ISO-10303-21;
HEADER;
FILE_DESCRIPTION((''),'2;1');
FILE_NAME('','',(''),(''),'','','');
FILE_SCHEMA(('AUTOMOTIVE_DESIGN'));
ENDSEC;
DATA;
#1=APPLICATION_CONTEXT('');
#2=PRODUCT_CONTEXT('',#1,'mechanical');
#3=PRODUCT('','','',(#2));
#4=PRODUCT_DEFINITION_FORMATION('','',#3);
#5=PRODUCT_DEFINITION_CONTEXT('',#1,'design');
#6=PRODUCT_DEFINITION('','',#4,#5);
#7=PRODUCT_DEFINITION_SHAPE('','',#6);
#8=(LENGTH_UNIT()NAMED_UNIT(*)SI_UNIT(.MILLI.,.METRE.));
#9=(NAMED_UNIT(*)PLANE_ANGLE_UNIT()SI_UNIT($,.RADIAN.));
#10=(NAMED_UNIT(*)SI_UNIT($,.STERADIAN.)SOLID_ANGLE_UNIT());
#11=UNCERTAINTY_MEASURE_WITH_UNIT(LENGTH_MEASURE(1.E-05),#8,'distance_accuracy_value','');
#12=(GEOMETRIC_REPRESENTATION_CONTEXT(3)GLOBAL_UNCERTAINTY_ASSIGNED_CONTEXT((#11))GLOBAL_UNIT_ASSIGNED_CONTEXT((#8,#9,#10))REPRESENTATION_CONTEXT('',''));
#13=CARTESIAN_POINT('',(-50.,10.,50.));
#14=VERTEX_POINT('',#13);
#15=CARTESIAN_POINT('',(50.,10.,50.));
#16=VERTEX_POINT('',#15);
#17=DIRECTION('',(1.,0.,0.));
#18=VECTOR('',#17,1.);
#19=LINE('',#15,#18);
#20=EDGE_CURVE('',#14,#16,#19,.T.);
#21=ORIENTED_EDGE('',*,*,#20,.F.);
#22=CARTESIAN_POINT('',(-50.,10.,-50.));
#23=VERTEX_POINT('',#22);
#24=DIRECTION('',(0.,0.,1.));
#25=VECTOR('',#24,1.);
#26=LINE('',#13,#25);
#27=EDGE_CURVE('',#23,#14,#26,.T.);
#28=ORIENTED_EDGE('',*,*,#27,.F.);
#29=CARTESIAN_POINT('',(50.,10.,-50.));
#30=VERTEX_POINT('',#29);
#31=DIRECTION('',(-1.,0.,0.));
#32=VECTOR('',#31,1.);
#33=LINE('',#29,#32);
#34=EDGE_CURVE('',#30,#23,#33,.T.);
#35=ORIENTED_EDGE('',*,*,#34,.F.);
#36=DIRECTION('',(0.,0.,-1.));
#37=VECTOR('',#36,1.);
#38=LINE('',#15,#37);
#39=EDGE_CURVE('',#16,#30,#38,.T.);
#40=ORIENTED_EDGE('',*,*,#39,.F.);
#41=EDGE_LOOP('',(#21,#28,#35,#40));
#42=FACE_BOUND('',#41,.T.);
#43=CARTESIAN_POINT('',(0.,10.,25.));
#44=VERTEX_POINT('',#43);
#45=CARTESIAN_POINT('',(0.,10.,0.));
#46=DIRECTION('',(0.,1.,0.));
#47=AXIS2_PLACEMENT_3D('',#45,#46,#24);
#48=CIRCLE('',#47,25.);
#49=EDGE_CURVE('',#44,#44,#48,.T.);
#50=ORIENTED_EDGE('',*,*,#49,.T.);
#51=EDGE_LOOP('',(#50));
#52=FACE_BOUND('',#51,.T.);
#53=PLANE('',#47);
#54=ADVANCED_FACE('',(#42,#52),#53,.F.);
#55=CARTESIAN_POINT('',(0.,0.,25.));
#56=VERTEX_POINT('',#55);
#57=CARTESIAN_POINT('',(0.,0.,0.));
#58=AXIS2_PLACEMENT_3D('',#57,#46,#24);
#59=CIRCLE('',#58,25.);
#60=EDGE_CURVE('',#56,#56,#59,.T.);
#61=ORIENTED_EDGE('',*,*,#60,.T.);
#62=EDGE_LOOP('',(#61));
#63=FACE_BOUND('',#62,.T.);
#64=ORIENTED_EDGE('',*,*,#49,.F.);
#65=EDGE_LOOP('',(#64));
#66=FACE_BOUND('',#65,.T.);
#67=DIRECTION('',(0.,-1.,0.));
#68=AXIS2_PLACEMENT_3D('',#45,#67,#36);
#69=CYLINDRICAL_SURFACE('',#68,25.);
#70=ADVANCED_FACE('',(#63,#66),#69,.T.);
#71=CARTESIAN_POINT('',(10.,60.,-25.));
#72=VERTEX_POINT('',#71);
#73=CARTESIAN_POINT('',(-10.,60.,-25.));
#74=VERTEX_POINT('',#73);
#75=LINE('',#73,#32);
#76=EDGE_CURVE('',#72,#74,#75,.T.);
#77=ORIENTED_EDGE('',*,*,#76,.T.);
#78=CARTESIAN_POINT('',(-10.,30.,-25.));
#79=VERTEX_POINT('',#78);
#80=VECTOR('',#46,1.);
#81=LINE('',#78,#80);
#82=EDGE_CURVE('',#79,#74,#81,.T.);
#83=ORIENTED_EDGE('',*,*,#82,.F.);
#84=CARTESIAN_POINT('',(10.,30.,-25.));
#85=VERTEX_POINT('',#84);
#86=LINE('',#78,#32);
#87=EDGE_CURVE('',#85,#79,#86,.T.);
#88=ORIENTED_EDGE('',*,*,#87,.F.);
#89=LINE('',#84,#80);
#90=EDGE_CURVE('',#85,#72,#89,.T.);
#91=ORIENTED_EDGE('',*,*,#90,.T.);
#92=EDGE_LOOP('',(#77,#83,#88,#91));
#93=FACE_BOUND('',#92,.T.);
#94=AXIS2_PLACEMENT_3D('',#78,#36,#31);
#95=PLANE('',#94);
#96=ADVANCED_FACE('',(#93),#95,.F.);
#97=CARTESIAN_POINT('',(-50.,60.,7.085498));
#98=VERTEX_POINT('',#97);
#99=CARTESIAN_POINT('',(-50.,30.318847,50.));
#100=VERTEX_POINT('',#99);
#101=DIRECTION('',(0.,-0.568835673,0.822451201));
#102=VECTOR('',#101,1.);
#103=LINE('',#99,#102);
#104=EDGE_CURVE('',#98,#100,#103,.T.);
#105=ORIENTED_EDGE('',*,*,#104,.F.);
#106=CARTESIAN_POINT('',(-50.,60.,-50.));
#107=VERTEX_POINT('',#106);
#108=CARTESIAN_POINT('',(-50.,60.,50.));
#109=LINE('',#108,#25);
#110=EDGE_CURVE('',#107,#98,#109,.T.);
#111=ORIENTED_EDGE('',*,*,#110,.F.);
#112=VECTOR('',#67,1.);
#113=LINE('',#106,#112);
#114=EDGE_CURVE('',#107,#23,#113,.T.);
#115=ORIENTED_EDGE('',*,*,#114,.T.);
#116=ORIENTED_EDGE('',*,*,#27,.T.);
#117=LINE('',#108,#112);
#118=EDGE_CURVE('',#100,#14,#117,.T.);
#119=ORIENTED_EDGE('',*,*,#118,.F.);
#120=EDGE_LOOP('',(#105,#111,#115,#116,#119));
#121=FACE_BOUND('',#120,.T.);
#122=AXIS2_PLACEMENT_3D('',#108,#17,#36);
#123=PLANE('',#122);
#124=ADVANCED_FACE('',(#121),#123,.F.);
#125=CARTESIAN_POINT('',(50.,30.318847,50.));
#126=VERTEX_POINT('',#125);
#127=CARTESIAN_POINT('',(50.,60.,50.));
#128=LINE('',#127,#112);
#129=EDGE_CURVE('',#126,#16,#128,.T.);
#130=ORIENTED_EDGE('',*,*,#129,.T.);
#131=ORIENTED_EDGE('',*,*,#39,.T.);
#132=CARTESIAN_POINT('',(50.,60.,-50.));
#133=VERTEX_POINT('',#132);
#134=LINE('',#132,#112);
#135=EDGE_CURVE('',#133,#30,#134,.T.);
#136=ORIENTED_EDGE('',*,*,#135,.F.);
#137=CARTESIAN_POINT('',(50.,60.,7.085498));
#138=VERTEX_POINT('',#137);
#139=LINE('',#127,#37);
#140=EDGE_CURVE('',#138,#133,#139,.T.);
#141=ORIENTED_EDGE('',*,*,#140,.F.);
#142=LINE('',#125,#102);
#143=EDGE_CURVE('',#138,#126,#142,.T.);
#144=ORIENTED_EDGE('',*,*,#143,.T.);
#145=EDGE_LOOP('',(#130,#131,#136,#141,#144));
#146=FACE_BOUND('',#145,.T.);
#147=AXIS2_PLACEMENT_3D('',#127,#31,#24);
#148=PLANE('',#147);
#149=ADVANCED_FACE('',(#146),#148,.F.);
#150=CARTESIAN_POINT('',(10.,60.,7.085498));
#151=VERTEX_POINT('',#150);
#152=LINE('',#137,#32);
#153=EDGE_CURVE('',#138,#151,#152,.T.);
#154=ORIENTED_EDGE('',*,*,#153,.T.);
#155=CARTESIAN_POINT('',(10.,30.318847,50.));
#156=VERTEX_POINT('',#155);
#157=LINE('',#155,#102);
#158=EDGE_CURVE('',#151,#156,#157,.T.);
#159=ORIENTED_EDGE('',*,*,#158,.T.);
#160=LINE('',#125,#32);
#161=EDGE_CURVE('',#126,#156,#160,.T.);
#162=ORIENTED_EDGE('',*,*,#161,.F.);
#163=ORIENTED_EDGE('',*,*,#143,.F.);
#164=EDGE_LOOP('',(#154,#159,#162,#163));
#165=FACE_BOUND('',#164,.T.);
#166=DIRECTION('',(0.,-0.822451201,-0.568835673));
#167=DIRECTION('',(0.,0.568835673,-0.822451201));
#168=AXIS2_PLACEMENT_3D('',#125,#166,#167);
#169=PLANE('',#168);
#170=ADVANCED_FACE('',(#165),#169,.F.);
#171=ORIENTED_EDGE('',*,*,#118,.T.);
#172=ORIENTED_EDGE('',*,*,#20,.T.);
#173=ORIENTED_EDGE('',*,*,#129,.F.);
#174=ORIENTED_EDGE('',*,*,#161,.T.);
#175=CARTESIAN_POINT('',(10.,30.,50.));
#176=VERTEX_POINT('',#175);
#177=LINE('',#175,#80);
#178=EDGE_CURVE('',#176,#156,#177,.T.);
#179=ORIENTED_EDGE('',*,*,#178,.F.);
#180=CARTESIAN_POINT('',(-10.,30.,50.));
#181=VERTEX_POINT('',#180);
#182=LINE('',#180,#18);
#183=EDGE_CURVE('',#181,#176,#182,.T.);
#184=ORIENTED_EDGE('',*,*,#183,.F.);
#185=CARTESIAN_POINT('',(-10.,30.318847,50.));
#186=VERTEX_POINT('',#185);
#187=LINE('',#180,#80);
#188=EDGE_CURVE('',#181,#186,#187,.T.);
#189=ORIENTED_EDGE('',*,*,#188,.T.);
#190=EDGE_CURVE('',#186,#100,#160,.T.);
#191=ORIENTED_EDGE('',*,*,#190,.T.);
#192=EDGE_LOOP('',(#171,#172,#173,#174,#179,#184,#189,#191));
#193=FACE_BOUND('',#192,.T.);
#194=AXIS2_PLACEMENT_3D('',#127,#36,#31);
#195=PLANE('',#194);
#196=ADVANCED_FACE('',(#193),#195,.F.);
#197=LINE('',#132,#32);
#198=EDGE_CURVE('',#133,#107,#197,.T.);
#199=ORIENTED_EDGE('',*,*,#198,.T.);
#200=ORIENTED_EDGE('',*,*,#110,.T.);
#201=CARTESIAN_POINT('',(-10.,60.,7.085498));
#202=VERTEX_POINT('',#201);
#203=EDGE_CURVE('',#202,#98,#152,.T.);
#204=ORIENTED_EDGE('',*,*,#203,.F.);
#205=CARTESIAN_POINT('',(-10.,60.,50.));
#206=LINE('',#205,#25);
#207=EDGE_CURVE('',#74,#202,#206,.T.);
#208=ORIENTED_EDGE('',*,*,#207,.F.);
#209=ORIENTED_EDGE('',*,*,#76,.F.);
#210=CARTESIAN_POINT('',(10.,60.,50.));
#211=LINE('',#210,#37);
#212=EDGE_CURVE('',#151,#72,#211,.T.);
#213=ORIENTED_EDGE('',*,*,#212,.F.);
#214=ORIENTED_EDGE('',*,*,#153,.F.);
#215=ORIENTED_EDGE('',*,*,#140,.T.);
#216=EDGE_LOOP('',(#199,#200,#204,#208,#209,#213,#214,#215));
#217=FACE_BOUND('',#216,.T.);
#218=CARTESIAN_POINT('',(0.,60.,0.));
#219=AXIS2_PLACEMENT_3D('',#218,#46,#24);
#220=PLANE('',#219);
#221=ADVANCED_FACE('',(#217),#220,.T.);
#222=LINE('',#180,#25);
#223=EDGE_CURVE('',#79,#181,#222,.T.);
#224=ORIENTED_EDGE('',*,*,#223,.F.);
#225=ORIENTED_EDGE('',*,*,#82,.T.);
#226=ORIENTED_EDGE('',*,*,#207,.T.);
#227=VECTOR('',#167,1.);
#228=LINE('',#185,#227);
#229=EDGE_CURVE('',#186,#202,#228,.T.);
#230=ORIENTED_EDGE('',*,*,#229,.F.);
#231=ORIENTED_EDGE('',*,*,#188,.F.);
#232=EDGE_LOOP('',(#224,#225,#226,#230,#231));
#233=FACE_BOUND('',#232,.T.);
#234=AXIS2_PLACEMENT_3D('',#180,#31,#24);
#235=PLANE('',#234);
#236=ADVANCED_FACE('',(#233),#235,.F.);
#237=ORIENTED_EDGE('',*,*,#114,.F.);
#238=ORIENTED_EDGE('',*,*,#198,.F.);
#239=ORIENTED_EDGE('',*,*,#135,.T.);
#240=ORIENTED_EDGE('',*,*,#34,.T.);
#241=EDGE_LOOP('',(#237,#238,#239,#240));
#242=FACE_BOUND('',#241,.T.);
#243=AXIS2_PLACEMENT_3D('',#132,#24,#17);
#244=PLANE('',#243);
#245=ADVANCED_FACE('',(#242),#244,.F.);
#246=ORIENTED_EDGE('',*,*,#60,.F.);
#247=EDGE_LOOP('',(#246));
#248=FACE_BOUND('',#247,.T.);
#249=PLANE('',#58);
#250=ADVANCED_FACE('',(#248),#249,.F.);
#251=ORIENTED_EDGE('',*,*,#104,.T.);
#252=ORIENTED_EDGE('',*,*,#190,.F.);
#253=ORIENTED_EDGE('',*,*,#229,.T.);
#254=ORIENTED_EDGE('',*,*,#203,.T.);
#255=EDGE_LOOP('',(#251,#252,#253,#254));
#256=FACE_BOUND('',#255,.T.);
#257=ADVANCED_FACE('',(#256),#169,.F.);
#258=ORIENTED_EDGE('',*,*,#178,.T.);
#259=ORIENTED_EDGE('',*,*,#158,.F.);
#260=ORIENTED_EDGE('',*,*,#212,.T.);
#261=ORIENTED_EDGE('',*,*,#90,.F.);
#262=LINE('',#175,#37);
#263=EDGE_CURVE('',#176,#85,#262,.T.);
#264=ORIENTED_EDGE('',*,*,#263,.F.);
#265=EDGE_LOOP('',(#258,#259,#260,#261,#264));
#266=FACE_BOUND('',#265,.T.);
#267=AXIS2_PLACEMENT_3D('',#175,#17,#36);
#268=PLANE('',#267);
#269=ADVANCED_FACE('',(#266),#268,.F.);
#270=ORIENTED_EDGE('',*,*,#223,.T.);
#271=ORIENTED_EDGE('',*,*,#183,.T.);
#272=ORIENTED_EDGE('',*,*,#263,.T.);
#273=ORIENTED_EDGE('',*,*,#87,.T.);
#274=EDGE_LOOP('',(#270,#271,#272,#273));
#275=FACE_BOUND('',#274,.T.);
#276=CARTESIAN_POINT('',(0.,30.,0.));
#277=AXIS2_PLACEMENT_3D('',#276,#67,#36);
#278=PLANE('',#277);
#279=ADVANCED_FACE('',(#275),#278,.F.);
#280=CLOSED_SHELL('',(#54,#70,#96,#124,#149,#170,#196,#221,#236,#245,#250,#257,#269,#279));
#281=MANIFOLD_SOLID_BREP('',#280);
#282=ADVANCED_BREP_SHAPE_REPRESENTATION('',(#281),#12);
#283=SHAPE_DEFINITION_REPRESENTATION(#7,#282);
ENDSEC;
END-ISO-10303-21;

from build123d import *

# Parameters (mm, degrees)
SKETCH1_R           = 25
BOSS_EXTRUDE1_DEPTH = 10
SKETCH2_W           = 100
SKETCH2_H           = 100
BOSS_EXTRUDE2_DEPTH = 50
CUT_EXTRUDE1_DEPTH  = 127.885775404
SKETCH7_W           = 20
SKETCH7_H           = 75
CUT_EXTRUDE3_DEPTH  = 30


with BuildPart() as part:
    # Sketch1 → Boss-Extrude1 (new body)
    with BuildSketch(Plane(origin=(0, 0, 0), x_dir=(1, 0, 0), z_dir=(0, 1, 0))):
        Circle(SKETCH1_R)
    extrude(amount=BOSS_EXTRUDE1_DEPTH)

    # Sketch2 → Boss-Extrude2 (add)
    with BuildSketch(Plane(origin=(0, 10, 0), x_dir=(1, 0, 0), z_dir=(0, 1, 0))):
        Rectangle(SKETCH2_W, SKETCH2_H)
    extrude(amount=BOSS_EXTRUDE2_DEPTH)

    # Sketch4 → Cut-Extrude1 (cut, through all)
    with BuildSketch(Plane.ZY.offset(50)):
        Polygon((50, 30.318847412), (7.085498034, 60), (50, 60), align=None)
    extrude(amount=-CUT_EXTRUDE1_DEPTH, mode=Mode.SUBTRACT)

    # Sketch7 → Cut-Extrude3 (cut)
    with BuildSketch(Plane(origin=(0, 60, 0), x_dir=(1, 0, 0), z_dir=(0, 1, 0))):
        with Locations((0, -12.5)):
            Rectangle(SKETCH7_W, SKETCH7_H)
    extrude(amount=-CUT_EXTRUDE3_DEPTH, mode=Mode.SUBTRACT)


solid = part.part
